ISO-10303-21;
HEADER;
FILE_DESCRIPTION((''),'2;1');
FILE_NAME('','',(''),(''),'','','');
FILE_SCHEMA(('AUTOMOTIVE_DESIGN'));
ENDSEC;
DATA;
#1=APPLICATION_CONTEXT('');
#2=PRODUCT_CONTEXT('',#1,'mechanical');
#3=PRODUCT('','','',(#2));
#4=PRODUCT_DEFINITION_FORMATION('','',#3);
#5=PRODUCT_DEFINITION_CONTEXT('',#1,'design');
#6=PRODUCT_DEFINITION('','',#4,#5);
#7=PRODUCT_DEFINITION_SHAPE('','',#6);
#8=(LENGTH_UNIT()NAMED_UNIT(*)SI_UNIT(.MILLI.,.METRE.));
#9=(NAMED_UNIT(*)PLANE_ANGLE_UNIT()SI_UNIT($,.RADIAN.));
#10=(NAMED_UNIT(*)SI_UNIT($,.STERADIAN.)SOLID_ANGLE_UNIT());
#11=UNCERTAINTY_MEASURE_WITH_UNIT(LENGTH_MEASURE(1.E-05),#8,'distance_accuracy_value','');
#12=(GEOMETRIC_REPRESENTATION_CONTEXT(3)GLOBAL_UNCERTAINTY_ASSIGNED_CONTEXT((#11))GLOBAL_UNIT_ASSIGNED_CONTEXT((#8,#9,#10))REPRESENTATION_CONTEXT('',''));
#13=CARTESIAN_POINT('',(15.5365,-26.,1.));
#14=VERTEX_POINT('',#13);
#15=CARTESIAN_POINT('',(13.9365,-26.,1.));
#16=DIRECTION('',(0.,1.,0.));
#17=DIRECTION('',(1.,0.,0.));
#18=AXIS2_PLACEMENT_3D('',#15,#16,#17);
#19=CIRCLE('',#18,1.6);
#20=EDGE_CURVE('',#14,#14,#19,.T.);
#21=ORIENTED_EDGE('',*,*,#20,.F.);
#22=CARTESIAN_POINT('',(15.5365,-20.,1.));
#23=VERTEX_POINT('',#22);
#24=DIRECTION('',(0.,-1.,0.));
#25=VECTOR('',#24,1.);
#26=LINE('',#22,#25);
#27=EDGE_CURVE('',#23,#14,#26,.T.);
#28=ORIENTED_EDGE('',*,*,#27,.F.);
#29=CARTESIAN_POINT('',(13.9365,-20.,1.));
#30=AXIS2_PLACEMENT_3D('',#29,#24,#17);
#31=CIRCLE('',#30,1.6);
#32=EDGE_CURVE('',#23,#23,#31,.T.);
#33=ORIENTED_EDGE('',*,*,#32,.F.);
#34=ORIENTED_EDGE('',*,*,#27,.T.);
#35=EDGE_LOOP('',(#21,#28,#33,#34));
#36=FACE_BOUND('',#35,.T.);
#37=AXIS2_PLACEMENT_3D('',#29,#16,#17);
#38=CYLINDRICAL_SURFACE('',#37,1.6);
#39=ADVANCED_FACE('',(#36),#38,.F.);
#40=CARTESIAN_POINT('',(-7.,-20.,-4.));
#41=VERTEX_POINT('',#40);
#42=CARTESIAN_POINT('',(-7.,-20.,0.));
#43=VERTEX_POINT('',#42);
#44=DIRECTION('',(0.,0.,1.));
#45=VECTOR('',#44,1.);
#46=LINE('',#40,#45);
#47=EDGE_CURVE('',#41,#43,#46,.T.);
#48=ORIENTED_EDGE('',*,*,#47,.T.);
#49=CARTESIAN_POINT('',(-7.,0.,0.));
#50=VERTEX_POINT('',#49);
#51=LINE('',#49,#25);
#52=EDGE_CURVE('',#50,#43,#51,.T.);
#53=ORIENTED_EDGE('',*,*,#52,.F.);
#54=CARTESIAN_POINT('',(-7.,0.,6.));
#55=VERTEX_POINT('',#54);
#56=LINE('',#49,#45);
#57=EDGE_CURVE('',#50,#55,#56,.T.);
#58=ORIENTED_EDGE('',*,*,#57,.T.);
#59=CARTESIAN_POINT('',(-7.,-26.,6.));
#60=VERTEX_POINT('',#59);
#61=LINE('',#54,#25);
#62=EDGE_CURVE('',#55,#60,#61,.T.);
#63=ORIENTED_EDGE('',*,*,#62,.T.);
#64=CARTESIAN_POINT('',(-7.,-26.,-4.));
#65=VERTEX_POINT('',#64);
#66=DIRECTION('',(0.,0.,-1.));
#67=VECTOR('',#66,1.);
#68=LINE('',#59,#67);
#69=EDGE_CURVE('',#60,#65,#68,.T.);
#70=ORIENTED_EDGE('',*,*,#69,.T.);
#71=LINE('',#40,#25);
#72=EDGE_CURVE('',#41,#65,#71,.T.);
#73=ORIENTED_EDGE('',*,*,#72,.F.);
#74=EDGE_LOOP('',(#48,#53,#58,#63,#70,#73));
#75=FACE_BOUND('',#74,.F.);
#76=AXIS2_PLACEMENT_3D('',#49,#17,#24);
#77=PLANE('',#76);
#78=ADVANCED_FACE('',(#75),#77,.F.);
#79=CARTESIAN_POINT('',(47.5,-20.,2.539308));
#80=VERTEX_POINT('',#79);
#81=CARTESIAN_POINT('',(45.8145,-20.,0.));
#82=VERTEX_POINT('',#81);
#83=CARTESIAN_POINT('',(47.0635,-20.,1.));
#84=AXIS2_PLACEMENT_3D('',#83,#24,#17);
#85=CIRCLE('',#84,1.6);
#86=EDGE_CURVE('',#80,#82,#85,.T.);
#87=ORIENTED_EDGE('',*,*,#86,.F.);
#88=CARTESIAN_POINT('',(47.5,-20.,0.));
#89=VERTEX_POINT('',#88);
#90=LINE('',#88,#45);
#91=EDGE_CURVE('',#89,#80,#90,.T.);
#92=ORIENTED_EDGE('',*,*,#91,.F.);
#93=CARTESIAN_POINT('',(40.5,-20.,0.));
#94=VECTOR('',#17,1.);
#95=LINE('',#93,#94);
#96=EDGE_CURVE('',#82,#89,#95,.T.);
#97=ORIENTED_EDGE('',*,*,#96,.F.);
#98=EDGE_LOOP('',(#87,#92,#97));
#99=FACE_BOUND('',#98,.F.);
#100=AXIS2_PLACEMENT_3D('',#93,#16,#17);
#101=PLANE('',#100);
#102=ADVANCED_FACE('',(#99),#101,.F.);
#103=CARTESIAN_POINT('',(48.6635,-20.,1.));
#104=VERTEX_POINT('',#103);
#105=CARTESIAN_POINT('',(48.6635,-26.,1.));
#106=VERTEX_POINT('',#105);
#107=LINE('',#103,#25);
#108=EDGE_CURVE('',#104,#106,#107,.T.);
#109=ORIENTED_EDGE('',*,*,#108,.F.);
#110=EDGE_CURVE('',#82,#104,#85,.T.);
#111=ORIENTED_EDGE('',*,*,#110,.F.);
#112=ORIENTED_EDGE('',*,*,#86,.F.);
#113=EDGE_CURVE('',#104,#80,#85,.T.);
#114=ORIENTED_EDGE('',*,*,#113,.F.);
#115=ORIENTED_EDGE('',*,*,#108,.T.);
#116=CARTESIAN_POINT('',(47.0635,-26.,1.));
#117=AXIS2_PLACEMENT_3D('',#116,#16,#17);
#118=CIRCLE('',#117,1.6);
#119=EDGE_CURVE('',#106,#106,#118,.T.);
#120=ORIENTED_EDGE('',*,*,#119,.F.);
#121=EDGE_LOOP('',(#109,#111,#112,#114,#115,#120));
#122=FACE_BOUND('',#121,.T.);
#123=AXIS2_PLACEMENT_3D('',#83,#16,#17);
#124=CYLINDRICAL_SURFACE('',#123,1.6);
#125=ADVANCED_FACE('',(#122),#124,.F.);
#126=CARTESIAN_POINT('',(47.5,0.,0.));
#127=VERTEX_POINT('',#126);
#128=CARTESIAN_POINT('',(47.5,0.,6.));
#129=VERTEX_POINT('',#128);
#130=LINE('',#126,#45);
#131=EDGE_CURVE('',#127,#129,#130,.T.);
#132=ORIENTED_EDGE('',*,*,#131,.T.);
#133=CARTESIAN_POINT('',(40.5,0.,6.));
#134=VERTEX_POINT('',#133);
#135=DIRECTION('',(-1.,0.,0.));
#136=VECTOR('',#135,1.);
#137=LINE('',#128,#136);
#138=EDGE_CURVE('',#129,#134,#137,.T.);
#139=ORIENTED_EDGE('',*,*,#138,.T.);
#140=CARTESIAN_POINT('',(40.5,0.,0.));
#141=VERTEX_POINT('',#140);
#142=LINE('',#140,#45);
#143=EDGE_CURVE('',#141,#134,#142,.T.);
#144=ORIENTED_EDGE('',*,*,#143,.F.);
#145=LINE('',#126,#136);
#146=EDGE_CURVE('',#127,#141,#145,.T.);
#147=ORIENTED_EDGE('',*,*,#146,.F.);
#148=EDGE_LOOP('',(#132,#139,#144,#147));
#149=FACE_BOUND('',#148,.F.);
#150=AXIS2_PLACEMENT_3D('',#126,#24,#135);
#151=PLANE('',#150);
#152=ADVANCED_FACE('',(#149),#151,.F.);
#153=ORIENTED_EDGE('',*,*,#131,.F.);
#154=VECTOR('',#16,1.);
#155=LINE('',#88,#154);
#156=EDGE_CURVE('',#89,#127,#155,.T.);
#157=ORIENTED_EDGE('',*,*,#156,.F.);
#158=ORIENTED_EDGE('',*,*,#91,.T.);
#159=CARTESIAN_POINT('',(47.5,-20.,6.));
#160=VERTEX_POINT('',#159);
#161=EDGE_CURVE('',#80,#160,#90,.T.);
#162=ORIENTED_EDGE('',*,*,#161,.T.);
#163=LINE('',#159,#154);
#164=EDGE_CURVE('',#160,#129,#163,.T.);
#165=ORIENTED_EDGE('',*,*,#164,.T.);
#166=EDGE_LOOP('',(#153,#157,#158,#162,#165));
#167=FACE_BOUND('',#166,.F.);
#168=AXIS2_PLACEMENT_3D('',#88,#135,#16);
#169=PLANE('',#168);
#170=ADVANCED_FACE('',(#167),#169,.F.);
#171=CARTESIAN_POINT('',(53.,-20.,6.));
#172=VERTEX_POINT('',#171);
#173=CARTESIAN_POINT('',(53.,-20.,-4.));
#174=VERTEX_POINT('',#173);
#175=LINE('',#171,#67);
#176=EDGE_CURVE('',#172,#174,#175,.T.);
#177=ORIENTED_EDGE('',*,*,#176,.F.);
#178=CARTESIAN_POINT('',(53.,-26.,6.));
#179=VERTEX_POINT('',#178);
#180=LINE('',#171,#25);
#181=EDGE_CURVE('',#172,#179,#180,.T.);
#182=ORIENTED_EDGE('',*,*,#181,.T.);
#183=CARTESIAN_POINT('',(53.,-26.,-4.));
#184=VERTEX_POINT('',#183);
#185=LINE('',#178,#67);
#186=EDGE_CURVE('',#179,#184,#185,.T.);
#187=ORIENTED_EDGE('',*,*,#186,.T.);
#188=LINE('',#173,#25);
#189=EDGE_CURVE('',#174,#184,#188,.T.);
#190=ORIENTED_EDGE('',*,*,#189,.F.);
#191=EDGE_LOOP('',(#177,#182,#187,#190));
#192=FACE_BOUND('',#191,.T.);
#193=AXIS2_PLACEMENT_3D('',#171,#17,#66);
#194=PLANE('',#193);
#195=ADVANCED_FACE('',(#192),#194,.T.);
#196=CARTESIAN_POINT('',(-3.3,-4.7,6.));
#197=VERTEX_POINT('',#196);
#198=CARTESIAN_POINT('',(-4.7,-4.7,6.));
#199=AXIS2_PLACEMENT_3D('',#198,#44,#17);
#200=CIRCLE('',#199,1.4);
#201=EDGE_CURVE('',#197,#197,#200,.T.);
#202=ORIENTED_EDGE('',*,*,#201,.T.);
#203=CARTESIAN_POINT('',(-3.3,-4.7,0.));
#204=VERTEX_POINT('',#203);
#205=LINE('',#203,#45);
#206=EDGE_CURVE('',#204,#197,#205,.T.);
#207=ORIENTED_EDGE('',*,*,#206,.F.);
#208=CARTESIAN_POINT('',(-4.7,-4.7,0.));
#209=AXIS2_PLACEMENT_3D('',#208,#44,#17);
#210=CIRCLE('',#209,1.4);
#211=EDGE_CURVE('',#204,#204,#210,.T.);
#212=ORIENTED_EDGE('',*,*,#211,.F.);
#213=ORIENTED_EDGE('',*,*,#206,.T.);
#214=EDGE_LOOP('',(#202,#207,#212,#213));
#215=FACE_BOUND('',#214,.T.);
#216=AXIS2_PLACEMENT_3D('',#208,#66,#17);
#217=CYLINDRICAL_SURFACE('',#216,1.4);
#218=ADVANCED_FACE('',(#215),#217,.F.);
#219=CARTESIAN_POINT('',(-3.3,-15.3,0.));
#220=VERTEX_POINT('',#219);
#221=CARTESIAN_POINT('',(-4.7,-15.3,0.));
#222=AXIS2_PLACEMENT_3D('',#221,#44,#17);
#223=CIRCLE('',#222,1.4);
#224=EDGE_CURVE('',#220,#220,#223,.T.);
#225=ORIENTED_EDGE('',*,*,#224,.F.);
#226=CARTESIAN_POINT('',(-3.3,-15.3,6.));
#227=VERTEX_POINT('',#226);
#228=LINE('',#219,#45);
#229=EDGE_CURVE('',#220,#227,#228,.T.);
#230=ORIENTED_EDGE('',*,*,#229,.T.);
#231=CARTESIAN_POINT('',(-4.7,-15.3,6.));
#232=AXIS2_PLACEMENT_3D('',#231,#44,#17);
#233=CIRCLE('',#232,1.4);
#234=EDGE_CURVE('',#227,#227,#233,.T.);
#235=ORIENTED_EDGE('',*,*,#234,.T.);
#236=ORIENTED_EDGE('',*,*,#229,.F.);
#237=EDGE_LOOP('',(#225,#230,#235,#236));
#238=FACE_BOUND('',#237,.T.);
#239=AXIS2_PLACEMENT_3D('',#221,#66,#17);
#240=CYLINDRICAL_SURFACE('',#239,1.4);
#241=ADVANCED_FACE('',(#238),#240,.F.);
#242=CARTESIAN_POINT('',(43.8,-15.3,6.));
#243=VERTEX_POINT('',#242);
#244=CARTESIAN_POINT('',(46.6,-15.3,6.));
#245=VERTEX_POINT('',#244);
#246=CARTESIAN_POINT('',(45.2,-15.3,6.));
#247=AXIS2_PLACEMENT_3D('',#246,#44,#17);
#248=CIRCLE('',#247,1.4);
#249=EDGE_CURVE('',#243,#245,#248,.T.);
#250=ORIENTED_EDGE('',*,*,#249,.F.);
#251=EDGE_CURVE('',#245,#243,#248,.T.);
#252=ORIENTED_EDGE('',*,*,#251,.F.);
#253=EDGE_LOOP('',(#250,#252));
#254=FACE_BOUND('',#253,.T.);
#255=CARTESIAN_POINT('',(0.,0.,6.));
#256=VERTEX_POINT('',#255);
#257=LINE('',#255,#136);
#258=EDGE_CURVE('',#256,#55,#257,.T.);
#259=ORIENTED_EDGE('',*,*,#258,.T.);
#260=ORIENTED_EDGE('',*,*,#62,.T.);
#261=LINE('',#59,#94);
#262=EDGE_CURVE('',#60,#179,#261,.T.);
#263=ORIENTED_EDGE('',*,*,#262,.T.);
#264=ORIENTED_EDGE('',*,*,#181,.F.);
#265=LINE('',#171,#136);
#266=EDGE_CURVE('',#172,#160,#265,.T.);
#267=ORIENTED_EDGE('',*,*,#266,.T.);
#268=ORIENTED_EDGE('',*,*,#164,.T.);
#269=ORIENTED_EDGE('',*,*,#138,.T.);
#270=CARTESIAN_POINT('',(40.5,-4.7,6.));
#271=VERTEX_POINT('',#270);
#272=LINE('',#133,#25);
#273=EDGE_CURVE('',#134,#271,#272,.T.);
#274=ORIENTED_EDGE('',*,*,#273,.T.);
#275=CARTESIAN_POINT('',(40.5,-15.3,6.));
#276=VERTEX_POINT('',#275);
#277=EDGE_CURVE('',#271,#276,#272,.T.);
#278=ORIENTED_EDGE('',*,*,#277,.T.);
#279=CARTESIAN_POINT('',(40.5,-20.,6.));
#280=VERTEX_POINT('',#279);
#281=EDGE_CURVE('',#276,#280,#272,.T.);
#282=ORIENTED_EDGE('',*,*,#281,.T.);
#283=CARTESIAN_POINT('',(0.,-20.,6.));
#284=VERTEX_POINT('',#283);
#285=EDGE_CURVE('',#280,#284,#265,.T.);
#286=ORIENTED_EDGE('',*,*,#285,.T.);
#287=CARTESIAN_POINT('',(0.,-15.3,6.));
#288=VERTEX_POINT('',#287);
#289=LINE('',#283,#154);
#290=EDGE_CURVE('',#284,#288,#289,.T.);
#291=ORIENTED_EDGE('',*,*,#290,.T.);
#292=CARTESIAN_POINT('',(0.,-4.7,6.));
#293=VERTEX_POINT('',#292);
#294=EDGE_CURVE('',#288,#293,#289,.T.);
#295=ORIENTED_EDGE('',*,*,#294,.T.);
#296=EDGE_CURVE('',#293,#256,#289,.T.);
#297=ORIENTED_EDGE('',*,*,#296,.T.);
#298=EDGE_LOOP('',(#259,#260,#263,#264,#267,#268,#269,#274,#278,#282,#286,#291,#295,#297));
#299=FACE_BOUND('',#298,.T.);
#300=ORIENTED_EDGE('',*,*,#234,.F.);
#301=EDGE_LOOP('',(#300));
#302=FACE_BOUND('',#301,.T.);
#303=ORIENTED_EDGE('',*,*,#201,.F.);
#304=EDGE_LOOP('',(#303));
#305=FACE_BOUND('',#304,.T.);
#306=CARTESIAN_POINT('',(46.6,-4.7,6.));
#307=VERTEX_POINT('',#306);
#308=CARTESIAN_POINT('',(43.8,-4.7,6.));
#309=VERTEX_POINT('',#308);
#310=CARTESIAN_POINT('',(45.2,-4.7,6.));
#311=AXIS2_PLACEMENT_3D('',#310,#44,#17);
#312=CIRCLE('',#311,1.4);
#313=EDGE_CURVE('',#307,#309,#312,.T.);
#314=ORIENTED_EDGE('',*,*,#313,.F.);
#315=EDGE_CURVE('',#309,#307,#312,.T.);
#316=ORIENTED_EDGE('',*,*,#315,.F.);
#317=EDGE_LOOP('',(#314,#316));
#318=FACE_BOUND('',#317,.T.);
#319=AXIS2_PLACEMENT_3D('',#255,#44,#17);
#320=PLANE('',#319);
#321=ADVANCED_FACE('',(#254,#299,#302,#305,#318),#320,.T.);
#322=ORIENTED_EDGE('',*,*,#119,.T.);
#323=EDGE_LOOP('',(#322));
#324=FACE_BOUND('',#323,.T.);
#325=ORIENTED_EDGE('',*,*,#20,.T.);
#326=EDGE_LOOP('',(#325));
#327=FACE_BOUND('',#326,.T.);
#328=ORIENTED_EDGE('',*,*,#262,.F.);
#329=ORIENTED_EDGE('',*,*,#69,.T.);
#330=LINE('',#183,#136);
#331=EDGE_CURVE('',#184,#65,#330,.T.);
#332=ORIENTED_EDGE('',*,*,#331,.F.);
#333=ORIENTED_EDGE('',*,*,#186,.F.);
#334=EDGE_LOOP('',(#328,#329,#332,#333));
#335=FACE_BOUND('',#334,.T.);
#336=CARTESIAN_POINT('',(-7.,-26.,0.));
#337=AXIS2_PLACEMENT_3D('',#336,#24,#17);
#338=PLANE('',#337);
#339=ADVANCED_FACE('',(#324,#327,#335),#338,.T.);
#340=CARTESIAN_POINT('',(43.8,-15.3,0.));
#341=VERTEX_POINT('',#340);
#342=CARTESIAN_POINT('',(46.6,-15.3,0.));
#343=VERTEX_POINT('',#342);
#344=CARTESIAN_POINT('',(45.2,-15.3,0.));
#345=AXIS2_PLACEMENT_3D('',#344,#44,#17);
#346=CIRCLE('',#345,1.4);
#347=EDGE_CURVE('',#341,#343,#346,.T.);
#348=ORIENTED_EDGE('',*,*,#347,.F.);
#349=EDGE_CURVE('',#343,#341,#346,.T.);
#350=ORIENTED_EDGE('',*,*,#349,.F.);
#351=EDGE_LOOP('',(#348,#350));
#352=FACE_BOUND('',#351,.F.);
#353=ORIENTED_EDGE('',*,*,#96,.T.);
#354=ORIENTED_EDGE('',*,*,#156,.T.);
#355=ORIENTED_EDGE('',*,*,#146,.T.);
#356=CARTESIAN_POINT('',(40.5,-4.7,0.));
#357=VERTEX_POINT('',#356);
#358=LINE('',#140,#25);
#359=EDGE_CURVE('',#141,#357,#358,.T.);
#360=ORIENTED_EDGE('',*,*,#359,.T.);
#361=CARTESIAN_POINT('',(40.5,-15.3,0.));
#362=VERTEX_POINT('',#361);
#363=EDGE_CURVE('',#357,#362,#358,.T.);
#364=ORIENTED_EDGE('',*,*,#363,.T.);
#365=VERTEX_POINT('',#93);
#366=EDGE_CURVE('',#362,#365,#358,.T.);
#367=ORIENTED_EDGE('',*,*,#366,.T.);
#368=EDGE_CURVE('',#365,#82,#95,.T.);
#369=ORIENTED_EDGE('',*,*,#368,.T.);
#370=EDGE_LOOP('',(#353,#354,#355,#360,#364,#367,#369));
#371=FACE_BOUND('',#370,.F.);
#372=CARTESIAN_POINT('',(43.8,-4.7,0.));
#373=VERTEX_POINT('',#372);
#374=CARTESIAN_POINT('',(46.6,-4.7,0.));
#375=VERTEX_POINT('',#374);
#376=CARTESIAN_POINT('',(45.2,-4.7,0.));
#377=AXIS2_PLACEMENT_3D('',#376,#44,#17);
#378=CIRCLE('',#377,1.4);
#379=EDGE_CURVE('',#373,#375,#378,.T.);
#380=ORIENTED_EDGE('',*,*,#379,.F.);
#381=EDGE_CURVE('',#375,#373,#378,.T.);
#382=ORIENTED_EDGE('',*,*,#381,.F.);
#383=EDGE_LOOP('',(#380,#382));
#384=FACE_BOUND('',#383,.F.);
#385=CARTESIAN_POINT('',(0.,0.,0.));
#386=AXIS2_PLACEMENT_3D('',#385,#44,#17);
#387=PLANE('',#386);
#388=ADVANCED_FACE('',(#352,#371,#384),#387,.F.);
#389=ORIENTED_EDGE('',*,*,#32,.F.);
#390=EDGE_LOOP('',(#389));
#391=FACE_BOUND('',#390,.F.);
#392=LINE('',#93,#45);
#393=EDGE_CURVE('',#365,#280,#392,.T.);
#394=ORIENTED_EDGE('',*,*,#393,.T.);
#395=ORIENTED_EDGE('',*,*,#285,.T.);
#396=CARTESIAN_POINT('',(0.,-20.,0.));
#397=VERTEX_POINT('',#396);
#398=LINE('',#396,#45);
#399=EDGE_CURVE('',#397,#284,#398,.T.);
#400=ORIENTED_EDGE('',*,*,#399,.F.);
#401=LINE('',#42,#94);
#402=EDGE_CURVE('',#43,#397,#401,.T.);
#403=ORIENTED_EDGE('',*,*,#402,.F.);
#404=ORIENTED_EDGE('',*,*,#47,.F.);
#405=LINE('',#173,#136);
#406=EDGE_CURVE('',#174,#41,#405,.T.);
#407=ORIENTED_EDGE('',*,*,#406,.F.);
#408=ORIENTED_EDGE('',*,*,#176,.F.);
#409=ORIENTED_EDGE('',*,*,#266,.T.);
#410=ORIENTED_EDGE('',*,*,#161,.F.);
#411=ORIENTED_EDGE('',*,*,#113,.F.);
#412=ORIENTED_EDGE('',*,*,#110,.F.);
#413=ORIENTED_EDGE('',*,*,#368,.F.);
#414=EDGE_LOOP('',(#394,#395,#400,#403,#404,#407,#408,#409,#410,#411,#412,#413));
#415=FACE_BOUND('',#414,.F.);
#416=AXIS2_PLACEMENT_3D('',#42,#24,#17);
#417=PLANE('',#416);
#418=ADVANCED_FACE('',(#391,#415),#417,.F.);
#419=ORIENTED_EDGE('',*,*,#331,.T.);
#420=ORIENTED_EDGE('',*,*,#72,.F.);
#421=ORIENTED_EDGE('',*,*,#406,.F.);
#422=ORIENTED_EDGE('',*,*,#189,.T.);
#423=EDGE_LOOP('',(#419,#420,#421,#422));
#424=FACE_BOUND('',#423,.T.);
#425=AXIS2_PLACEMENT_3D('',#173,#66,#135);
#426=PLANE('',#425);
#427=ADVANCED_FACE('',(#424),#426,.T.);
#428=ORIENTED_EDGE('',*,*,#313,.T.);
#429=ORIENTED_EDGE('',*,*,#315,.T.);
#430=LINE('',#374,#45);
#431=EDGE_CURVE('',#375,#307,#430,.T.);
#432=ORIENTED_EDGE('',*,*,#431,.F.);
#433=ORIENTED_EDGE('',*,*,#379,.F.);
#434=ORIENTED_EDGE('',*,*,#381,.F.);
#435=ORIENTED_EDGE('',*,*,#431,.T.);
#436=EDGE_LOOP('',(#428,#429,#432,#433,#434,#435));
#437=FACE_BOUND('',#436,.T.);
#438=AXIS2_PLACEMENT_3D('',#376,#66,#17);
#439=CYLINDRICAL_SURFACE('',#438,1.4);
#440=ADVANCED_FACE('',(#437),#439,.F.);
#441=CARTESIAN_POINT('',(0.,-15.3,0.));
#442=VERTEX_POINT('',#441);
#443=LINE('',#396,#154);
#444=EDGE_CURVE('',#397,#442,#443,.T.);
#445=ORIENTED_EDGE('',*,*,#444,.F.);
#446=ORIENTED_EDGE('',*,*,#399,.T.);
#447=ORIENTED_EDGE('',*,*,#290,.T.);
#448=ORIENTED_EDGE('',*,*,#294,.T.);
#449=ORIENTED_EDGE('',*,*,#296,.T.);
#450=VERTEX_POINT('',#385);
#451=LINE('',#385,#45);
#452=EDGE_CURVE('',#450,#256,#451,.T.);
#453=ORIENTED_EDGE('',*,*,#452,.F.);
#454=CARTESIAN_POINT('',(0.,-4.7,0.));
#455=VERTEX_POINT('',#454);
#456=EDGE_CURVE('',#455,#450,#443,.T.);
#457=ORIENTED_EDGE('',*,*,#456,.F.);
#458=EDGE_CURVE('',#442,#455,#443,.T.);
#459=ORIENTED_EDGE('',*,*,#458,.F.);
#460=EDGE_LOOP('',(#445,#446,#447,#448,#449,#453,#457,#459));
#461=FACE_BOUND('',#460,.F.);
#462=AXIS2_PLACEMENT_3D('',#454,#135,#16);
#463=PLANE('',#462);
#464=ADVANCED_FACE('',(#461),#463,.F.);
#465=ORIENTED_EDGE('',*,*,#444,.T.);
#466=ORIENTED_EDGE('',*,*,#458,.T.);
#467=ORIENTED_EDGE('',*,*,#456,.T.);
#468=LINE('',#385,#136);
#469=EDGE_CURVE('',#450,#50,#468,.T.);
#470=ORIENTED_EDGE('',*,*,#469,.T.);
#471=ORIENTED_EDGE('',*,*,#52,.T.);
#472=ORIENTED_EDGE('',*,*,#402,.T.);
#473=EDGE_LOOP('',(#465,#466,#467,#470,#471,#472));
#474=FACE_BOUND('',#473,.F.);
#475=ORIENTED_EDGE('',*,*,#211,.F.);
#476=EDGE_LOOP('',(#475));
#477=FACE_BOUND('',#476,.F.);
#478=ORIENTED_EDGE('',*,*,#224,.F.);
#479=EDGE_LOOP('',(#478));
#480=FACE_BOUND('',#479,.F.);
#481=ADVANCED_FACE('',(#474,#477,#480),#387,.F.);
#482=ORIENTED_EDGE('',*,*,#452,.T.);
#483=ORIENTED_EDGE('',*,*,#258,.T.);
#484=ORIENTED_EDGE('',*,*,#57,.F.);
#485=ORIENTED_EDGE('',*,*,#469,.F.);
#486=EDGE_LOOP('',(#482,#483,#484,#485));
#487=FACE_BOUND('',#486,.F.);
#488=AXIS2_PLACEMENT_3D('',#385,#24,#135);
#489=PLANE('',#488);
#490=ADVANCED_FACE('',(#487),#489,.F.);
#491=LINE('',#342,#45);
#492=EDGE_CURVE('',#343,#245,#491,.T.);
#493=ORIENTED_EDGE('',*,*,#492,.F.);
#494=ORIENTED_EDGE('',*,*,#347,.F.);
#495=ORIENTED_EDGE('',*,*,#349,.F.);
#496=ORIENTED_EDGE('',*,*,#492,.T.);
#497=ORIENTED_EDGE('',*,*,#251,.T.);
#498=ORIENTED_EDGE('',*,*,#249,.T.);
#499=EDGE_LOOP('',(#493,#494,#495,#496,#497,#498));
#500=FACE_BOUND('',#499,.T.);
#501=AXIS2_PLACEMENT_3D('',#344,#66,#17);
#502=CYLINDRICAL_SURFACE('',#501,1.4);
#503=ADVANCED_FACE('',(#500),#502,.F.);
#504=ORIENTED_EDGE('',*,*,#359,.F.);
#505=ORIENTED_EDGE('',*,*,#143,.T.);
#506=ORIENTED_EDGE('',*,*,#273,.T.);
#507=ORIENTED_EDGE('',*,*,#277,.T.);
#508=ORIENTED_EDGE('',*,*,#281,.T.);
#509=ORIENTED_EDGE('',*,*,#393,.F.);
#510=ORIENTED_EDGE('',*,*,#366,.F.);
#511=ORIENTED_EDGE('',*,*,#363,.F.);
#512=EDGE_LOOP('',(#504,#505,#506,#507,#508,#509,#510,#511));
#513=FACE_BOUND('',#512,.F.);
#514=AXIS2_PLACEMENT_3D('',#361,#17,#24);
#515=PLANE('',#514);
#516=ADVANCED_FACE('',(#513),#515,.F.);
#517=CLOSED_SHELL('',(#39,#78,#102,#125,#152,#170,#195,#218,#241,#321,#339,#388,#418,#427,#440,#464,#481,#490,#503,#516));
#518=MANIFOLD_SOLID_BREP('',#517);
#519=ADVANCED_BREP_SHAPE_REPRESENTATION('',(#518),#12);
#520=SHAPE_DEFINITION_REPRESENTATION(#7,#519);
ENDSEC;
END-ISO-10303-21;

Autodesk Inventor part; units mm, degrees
ref_plane "YZ Plane" through (0, 0, 0) normal (1, 0, 0) x (0, 1, 0)
ref_plane "XZ Plane" through (0, 0, 0) normal (0, 1, 0) x (-1, 0, 0)
ref_plane "XY Plane" through (0, 0, 0) normal (0, 0, 1) x (1, 0, 0)
sketch "Эскиз2" plane through (0, 0, 0) normal (0, 0, 1) x (1, 0, 0)
  line L0 (0, 0) -> (40.5, 0)
  line L1 (40.5, 0) -> (40.5, -20)
  line L2 (40.5, -20) -> (0, -20)
  line L3 (0, -20) -> (0, 0)
  line L4 (40.5, 0) -> (40.5, -4.7)
  line L5 (40.5, -4.7) -> (45.2, -4.7)
  line L6 (45.2, -15.3) -> (40.5, -15.3)
  line L7 (40.5, -15.3) -> (40.5, -20)
  line L8 (0, -4.7) -> (-4.7, -4.7)
  line L9 (-4.7, -15.3) -> (0, -15.3)
  line L10 (0, 0) -> (-7, 0)
  line L11 (-7, 0) -> (-7, -20)
  line L12 (-7, -20) -> (40.5, -20)
  line L13 (40.5, -20) -> (47.5, -20)
  line L14 (47.5, -20) -> (47.5, 0)
  line L15 (47.5, 0) -> (40.5, 0)
  circle A0 centre (-4.7, -4.7) radius 1.4
  circle A1 centre (-4.7, -15.3) radius 1.4
  circle A2 centre (45.2, -4.7) radius 1.4
  circle A3 centre (45.2, -15.3) radius 1.4
  dimension "d9" = 40.5
  dimension "d11" = 4.7
  dimension "d12" = 4.7
  dimension "d14" = 4.7
  dimension "d15" = 7
  dimension "d16" = 7
  dimension "d17" = 2.8
  dimension "d18" = 2.8
  dimension "d19" = 2.8
  dimension "d20" = 2.8
extrude "Выдавливание2" add sketch "Эскиз2" along normal blind 6 contours L3 L12 L11 L10 | L15 L14 L13 L1
sketch "Эскиз3" plane through (-7, -20, 0) normal (0, -1, 0) x (1, 0, 0)
  line L0 (7, 6) -> (0, 6) projected
  line L1 (47.5, 0) -> (54.5, 0) projected
  line L2 (0, 6) -> (54.5, 6)
  line L3 (54.5, 6) -> (54.5, 0)
  line L4 (54.5, 0) -> (0, 0)
  line L5 (0, 0) -> (0, 6)
  line L6 (47.5, 0) -> (47.5, 6) projected
  line L7 (47.5, 6) -> (37.5, 6)
  line L8 (37.5, 6) -> (54.0635, 6)
  line L9 (54.0635, 6) -> (20.9365, 6)
  line L10 (20.9365, 6) -> (20.9365, 1)
  line L11 (20.9365, 1) -> (54.0635, 1)
  line L12 (54.0635, 1) -> (54.0635, 6)
  circle A0 centre (20.9365, 1) radius 1.6
  circle A1 centre (54.0635, 1) radius 1.6
  line L13 (0, 6) -> (60, 6)
  line L14 (60, 6) -> (60, -4)
  line L15 (60, -4) -> (0, -4)
  line L16 (0, -4) -> (0, 6)
  point P0 (7, 0)
  point P1 (0, 0)
  dimension "d23" = 10
  dimension "d24" = 16.5635
  dimension "d25" = 33.127
  dimension "d26" = 5
  dimension "d27" = 3.2
  dimension "d28" = 3.2
  dimension "d29" = 60
  dimension "d30" = 10
extrude "Выдавливание3" add sketch "Эскиз3" along normal blind 6 contours L2 L10 A0 L4 L5 L0 | L2 L6 L11 A0 L10 | L4 A0 L1 A1 L3 L13 L14 L15 L16 | L2 L12 A1 L11 L6 | L11 L6 L4 A0 | L2 L3 A1 L12 | L11 A1 L1 L6
properties part number "vydacha_3"
